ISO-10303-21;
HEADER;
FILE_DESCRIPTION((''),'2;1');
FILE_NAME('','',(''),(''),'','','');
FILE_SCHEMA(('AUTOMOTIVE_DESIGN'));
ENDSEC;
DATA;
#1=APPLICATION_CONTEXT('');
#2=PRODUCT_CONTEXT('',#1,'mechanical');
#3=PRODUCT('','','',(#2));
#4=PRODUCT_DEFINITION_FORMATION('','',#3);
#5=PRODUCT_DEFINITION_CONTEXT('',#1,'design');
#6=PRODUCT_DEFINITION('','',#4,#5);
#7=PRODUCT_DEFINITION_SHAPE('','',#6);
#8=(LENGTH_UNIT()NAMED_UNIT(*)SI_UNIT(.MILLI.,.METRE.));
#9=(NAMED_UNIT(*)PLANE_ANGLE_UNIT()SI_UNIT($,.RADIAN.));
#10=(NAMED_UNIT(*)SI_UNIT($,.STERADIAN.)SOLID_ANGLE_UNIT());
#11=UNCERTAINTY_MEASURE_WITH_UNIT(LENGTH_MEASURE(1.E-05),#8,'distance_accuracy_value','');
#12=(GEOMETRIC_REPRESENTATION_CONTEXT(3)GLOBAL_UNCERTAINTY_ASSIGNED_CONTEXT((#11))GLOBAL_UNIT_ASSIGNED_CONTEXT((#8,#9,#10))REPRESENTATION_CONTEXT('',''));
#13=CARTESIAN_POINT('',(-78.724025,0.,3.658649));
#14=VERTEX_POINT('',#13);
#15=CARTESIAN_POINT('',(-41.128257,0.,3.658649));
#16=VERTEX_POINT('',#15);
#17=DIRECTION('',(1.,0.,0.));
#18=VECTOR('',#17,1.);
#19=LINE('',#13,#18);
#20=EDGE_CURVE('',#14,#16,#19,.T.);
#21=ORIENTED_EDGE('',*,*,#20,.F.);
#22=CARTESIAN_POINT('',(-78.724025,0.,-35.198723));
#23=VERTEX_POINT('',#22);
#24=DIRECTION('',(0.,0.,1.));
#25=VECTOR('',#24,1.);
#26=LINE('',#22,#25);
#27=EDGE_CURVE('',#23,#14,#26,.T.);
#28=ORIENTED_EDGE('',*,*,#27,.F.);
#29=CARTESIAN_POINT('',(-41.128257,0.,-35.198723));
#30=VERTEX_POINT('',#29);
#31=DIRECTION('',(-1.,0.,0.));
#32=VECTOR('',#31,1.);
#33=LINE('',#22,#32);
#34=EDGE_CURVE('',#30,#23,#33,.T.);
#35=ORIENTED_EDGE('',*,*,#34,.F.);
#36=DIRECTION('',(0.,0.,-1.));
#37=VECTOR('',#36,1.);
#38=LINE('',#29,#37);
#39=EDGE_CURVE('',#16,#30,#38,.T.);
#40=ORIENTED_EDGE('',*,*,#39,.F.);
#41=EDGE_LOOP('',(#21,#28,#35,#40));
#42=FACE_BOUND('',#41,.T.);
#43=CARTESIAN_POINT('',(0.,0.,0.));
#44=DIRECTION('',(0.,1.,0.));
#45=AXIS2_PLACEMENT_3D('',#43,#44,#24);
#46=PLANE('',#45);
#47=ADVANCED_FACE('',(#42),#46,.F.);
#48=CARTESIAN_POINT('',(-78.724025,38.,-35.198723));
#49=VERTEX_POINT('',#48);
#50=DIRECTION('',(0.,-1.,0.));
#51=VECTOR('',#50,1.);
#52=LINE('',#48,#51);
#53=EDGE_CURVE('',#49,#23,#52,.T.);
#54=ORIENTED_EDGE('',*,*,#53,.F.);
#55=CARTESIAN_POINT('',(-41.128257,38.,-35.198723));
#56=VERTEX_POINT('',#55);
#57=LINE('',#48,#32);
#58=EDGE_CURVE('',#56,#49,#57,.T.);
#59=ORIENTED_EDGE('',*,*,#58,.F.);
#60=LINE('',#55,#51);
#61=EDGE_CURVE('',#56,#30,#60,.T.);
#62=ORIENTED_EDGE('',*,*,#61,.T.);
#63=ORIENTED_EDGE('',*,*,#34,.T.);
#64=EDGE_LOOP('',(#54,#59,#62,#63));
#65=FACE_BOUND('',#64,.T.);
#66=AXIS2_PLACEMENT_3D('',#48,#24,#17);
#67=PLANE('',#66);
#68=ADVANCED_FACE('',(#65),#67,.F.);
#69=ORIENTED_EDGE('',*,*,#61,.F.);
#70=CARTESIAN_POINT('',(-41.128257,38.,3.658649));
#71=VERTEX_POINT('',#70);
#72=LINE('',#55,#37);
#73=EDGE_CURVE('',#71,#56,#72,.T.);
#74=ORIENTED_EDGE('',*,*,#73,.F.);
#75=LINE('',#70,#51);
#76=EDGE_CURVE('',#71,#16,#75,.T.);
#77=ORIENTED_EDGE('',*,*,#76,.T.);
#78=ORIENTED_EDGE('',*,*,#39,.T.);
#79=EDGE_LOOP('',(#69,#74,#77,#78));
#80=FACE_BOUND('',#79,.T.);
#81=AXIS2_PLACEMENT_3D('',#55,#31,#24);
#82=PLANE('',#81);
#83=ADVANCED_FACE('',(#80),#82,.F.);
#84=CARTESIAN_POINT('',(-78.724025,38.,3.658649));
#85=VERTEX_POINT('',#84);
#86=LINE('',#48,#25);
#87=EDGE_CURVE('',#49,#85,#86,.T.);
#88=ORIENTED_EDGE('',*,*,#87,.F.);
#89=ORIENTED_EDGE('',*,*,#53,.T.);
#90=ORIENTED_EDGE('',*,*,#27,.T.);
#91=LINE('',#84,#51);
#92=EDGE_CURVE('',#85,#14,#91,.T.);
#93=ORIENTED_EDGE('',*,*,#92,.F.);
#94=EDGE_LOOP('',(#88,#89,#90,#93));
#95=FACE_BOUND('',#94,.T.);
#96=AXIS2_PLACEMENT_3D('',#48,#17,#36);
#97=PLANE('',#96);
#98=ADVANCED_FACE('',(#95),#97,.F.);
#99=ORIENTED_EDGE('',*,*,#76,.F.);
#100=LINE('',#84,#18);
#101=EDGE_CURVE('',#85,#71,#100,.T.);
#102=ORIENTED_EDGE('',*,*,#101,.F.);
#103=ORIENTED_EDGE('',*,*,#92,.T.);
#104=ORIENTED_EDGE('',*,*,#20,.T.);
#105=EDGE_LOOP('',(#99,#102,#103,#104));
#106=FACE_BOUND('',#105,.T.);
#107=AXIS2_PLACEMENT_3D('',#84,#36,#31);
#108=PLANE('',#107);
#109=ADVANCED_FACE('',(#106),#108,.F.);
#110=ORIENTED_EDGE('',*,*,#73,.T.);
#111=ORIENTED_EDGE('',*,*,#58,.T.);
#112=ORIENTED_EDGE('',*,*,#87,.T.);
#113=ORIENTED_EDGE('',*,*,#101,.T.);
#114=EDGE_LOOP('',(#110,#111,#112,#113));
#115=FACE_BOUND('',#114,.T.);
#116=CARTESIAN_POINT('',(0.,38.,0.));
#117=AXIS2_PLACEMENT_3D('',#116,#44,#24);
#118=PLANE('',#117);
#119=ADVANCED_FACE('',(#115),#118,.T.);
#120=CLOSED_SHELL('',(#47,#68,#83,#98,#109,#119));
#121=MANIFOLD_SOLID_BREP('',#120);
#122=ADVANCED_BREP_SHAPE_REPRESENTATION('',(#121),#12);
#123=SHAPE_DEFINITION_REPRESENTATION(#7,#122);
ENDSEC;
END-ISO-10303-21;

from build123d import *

# Parameters (mm, degrees)
SKETCH1_W           = 37.595768424
SKETCH1_H           = 38.857371392
BOSS_EXTRUDE1_DEPTH = 38


with BuildPart() as part:
    # Sketch1 → Boss-Extrude1 (new body)
    with BuildSketch(Plane(origin=(0, 0, 0), x_dir=(1, 0, 0), z_dir=(0, 1, 0))):
        with Locations((-59.926140945, 15.770037091)):
            Rectangle(SKETCH1_W, SKETCH1_H)
    extrude(amount=BOSS_EXTRUDE1_DEPTH)


solid = part.part
